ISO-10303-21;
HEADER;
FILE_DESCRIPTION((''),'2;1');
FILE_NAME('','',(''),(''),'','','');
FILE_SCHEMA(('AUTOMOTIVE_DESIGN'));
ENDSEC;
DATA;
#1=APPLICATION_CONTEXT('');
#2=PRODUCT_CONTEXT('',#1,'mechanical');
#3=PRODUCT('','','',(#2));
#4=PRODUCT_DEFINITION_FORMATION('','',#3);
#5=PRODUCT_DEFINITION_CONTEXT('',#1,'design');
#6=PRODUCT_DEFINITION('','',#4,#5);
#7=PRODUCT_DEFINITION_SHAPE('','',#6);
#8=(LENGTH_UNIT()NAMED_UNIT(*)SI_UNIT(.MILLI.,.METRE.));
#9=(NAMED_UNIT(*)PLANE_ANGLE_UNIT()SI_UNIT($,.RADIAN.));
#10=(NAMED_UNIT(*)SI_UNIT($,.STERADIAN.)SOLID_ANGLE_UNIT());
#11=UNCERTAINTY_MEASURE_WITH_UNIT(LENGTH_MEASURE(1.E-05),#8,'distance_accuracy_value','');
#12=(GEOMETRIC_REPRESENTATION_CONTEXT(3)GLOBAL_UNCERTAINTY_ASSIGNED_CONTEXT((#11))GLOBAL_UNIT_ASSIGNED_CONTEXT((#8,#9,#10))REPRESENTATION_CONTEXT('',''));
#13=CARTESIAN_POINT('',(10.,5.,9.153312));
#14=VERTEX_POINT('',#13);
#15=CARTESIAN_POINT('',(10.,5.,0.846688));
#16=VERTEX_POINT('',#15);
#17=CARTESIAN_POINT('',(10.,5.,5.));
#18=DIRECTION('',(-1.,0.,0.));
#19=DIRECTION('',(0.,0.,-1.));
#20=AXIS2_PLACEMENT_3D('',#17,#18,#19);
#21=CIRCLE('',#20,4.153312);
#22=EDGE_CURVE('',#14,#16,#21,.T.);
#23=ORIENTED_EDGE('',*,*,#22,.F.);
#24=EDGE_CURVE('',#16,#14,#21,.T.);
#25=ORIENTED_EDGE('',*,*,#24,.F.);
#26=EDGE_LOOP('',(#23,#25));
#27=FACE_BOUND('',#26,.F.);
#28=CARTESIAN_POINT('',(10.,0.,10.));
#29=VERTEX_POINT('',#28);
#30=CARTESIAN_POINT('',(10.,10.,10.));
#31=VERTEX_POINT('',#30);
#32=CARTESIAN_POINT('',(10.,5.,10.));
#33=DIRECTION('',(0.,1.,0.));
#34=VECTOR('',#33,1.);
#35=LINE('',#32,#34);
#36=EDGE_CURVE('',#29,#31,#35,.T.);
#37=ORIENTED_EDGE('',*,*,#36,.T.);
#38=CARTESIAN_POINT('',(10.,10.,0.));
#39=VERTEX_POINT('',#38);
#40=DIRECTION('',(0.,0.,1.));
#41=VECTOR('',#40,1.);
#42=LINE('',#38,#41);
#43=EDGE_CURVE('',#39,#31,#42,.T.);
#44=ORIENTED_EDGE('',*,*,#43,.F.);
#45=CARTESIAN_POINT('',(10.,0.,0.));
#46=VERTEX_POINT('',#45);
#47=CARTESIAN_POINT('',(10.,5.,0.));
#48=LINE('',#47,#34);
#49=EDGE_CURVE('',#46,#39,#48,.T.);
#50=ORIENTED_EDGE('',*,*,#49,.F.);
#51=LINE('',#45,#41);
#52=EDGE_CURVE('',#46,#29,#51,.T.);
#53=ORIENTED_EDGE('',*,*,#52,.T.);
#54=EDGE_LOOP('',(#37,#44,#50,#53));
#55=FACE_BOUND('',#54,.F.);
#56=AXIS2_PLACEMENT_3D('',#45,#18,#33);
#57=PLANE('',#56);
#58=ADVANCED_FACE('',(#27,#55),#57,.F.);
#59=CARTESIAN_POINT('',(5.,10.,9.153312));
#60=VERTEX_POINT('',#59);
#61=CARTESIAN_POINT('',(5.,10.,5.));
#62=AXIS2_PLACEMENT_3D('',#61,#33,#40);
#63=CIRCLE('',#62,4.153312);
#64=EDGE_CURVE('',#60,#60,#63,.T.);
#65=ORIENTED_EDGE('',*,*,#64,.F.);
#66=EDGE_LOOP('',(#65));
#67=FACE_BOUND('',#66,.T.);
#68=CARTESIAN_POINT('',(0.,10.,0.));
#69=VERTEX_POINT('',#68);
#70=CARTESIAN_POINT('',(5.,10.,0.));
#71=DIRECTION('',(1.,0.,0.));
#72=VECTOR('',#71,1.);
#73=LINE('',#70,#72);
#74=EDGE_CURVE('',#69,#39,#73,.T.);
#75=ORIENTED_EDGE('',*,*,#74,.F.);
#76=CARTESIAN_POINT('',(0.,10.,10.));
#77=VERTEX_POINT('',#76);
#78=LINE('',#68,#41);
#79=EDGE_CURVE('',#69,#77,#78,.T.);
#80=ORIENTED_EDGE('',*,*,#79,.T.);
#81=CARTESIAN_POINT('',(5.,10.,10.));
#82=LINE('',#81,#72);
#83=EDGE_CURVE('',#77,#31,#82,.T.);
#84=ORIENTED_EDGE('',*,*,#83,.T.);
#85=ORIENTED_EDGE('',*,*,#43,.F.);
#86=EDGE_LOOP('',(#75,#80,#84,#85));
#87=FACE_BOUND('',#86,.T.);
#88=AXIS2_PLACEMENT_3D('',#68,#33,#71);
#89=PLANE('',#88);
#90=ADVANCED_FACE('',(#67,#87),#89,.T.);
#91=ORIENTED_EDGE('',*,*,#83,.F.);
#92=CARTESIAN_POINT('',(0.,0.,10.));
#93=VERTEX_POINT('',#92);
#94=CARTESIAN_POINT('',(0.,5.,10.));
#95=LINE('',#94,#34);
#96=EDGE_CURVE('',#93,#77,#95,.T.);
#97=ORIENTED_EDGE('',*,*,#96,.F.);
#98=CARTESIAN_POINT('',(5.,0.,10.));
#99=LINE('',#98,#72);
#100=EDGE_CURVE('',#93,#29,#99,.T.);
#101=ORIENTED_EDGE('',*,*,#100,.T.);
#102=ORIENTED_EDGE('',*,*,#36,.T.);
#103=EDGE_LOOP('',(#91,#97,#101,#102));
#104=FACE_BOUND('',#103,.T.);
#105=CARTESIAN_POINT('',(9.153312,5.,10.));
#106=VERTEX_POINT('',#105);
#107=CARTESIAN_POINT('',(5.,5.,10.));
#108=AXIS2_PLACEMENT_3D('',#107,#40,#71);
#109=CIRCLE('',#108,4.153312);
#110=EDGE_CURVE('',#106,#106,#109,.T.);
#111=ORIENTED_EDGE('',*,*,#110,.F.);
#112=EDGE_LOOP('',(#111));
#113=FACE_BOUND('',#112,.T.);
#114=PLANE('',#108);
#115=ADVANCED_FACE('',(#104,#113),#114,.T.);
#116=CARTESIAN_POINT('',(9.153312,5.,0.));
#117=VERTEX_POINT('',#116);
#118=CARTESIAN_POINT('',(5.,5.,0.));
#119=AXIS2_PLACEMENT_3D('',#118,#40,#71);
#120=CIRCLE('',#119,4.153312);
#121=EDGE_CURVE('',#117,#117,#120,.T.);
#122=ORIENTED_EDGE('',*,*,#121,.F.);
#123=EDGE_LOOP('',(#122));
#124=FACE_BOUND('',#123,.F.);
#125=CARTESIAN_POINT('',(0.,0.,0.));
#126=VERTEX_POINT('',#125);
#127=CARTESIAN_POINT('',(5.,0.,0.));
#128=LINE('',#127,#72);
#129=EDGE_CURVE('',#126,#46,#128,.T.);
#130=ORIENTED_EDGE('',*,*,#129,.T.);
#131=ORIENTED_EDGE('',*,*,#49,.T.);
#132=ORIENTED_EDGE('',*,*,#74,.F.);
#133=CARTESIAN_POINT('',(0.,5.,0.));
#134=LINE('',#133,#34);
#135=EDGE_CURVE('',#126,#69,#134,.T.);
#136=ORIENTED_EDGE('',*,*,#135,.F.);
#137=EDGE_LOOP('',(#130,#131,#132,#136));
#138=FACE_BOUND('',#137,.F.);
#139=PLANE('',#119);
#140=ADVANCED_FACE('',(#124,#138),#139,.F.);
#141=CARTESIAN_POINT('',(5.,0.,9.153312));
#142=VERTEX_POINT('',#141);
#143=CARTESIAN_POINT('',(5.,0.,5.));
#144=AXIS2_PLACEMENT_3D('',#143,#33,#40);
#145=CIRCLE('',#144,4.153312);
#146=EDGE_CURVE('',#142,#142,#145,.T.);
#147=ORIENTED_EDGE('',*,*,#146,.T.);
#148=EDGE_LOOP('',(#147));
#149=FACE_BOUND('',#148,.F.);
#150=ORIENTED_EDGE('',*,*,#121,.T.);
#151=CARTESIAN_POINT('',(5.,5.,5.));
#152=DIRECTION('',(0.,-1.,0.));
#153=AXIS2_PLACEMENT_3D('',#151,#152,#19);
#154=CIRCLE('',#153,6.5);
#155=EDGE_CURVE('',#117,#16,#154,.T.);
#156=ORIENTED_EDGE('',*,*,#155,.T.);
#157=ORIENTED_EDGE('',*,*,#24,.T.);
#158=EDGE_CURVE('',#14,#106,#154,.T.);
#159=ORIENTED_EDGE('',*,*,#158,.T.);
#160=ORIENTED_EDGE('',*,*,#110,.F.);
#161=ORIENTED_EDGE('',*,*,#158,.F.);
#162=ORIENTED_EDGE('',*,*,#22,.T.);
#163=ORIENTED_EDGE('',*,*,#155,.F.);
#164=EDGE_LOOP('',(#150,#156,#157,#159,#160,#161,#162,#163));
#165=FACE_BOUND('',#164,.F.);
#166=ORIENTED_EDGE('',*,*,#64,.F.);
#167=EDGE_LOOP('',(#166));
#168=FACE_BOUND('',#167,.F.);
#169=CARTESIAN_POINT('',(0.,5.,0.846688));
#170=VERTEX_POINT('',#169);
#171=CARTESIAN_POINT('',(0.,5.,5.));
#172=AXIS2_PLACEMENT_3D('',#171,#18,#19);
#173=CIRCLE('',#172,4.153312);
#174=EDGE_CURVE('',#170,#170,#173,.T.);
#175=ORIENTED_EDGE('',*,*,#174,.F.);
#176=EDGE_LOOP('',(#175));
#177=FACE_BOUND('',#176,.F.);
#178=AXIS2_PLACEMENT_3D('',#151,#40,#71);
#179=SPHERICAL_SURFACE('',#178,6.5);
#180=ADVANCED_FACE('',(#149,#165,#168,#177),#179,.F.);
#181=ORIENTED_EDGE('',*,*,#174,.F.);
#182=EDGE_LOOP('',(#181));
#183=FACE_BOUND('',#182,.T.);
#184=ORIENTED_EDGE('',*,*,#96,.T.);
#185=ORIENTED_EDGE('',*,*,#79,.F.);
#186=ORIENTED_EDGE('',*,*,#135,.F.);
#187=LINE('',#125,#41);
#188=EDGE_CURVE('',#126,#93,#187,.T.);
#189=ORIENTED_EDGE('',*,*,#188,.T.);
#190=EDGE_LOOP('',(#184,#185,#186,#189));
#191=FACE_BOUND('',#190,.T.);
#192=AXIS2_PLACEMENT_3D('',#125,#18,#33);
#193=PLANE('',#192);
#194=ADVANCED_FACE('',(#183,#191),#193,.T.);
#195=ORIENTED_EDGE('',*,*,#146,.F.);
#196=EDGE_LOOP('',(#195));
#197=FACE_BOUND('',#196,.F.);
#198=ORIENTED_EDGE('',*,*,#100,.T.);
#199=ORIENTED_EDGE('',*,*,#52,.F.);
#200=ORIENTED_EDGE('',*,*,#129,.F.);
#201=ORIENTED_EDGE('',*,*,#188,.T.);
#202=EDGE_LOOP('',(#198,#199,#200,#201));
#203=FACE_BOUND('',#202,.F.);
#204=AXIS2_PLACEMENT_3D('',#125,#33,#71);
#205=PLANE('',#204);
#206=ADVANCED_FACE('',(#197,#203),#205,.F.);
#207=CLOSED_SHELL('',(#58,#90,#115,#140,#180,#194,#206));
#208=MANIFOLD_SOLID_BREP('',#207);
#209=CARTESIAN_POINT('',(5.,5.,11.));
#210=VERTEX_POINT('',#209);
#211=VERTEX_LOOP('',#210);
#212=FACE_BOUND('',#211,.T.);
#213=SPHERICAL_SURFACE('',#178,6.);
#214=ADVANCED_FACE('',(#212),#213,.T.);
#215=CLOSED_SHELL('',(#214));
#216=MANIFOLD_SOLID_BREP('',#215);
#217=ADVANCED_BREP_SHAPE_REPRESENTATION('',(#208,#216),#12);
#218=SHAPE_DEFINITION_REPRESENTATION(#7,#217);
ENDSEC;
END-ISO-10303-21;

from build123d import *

# Parameters (mm, degrees)
CYLINDER002_R     = 4
CYLINDER002_DEPTH = 12
CYLINDER001_R     = 4
CYLINDER001_DEPTH = 12
CYLINDER_R        = 4
CYLINDER_DEPTH    = 12
BOX_W             = 10
BOX_H             = 10
BOX_DEPTH         = 10


with BuildPart() as sphere001:
    # Sphere001 → Sphere001 (revolve)
    with BuildSketch(Plane(origin=(5, 5, 5), x_dir=(1, 0, 0), z_dir=(0, -1, 0))):
        with BuildLine():
            ThreePointArc((0, -6), (6, 0), (0, 6))
            Line((0, 6), (0, -6))
        make_face()
    revolve(axis=Axis((5, 5, 5), (0, 0, 1)))


with BuildPart() as sphere:
    # Sphere → Sphere (revolve)
    with BuildSketch(Plane(origin=(5, 5, 5), x_dir=(1, 0, 0), z_dir=(0, -1, 0))):
        with BuildLine():
            ThreePointArc((0, -6.5), (6.5, 0), (0, 6.5))
            Line((0, 6.5), (0, -6.5))
        make_face()
    revolve(axis=Axis((5, 5, 5), (0, 0, 1)))


with BuildPart() as cylinder002:
    # Cylinder002 → Cylinder002 (new body)
    with BuildSketch(Plane(origin=(5, 11, 5), x_dir=(1, 0, 0), z_dir=(0, -1, 0))):
        Circle(CYLINDER002_R)
    extrude(amount=CYLINDER002_DEPTH)


with BuildPart() as cylinder001:
    # Cylinder001 → Cylinder001 (new body)
    with BuildSketch(Plane(origin=(-1, 5, 5), x_dir=(0, 0, -1), z_dir=(1, 0, 0))):
        Circle(CYLINDER001_R)
    extrude(amount=CYLINDER001_DEPTH)


with BuildPart() as cylinder:
    # Cylinder → Cylinder (new body)
    with BuildSketch(Plane(origin=(5, 5, -1), x_dir=(1, 0, 0), z_dir=(0, 0, 1))):
        Circle(CYLINDER_R)
    extrude(amount=CYLINDER_DEPTH)


with BuildPart() as fusion001:
    # Fusion base: copy of Cylinder001
    add(cylinder001.part)

    # Fusion: union Cylinder
    add(cylinder.part)

    # Fusion001: union Cylinder002, Cylinder001, Cylinder
    add(cylinder002.part)
    add(cylinder001.part)
    add(cylinder.part)


with BuildPart() as cut001:
    # Box → Box (new body)
    with BuildSketch(Plane.XY):
        with Locations((5, 5)):
            Rectangle(BOX_W, BOX_H)
    extrude(amount=BOX_DEPTH)

    # Cut: cut Fusion001
    add(fusion001.part, mode=Mode.SUBTRACT)

    # Cut001: cut Sphere
    add(sphere.part, mode=Mode.SUBTRACT)


solid = Compound([sphere001.part, cut001.part])
